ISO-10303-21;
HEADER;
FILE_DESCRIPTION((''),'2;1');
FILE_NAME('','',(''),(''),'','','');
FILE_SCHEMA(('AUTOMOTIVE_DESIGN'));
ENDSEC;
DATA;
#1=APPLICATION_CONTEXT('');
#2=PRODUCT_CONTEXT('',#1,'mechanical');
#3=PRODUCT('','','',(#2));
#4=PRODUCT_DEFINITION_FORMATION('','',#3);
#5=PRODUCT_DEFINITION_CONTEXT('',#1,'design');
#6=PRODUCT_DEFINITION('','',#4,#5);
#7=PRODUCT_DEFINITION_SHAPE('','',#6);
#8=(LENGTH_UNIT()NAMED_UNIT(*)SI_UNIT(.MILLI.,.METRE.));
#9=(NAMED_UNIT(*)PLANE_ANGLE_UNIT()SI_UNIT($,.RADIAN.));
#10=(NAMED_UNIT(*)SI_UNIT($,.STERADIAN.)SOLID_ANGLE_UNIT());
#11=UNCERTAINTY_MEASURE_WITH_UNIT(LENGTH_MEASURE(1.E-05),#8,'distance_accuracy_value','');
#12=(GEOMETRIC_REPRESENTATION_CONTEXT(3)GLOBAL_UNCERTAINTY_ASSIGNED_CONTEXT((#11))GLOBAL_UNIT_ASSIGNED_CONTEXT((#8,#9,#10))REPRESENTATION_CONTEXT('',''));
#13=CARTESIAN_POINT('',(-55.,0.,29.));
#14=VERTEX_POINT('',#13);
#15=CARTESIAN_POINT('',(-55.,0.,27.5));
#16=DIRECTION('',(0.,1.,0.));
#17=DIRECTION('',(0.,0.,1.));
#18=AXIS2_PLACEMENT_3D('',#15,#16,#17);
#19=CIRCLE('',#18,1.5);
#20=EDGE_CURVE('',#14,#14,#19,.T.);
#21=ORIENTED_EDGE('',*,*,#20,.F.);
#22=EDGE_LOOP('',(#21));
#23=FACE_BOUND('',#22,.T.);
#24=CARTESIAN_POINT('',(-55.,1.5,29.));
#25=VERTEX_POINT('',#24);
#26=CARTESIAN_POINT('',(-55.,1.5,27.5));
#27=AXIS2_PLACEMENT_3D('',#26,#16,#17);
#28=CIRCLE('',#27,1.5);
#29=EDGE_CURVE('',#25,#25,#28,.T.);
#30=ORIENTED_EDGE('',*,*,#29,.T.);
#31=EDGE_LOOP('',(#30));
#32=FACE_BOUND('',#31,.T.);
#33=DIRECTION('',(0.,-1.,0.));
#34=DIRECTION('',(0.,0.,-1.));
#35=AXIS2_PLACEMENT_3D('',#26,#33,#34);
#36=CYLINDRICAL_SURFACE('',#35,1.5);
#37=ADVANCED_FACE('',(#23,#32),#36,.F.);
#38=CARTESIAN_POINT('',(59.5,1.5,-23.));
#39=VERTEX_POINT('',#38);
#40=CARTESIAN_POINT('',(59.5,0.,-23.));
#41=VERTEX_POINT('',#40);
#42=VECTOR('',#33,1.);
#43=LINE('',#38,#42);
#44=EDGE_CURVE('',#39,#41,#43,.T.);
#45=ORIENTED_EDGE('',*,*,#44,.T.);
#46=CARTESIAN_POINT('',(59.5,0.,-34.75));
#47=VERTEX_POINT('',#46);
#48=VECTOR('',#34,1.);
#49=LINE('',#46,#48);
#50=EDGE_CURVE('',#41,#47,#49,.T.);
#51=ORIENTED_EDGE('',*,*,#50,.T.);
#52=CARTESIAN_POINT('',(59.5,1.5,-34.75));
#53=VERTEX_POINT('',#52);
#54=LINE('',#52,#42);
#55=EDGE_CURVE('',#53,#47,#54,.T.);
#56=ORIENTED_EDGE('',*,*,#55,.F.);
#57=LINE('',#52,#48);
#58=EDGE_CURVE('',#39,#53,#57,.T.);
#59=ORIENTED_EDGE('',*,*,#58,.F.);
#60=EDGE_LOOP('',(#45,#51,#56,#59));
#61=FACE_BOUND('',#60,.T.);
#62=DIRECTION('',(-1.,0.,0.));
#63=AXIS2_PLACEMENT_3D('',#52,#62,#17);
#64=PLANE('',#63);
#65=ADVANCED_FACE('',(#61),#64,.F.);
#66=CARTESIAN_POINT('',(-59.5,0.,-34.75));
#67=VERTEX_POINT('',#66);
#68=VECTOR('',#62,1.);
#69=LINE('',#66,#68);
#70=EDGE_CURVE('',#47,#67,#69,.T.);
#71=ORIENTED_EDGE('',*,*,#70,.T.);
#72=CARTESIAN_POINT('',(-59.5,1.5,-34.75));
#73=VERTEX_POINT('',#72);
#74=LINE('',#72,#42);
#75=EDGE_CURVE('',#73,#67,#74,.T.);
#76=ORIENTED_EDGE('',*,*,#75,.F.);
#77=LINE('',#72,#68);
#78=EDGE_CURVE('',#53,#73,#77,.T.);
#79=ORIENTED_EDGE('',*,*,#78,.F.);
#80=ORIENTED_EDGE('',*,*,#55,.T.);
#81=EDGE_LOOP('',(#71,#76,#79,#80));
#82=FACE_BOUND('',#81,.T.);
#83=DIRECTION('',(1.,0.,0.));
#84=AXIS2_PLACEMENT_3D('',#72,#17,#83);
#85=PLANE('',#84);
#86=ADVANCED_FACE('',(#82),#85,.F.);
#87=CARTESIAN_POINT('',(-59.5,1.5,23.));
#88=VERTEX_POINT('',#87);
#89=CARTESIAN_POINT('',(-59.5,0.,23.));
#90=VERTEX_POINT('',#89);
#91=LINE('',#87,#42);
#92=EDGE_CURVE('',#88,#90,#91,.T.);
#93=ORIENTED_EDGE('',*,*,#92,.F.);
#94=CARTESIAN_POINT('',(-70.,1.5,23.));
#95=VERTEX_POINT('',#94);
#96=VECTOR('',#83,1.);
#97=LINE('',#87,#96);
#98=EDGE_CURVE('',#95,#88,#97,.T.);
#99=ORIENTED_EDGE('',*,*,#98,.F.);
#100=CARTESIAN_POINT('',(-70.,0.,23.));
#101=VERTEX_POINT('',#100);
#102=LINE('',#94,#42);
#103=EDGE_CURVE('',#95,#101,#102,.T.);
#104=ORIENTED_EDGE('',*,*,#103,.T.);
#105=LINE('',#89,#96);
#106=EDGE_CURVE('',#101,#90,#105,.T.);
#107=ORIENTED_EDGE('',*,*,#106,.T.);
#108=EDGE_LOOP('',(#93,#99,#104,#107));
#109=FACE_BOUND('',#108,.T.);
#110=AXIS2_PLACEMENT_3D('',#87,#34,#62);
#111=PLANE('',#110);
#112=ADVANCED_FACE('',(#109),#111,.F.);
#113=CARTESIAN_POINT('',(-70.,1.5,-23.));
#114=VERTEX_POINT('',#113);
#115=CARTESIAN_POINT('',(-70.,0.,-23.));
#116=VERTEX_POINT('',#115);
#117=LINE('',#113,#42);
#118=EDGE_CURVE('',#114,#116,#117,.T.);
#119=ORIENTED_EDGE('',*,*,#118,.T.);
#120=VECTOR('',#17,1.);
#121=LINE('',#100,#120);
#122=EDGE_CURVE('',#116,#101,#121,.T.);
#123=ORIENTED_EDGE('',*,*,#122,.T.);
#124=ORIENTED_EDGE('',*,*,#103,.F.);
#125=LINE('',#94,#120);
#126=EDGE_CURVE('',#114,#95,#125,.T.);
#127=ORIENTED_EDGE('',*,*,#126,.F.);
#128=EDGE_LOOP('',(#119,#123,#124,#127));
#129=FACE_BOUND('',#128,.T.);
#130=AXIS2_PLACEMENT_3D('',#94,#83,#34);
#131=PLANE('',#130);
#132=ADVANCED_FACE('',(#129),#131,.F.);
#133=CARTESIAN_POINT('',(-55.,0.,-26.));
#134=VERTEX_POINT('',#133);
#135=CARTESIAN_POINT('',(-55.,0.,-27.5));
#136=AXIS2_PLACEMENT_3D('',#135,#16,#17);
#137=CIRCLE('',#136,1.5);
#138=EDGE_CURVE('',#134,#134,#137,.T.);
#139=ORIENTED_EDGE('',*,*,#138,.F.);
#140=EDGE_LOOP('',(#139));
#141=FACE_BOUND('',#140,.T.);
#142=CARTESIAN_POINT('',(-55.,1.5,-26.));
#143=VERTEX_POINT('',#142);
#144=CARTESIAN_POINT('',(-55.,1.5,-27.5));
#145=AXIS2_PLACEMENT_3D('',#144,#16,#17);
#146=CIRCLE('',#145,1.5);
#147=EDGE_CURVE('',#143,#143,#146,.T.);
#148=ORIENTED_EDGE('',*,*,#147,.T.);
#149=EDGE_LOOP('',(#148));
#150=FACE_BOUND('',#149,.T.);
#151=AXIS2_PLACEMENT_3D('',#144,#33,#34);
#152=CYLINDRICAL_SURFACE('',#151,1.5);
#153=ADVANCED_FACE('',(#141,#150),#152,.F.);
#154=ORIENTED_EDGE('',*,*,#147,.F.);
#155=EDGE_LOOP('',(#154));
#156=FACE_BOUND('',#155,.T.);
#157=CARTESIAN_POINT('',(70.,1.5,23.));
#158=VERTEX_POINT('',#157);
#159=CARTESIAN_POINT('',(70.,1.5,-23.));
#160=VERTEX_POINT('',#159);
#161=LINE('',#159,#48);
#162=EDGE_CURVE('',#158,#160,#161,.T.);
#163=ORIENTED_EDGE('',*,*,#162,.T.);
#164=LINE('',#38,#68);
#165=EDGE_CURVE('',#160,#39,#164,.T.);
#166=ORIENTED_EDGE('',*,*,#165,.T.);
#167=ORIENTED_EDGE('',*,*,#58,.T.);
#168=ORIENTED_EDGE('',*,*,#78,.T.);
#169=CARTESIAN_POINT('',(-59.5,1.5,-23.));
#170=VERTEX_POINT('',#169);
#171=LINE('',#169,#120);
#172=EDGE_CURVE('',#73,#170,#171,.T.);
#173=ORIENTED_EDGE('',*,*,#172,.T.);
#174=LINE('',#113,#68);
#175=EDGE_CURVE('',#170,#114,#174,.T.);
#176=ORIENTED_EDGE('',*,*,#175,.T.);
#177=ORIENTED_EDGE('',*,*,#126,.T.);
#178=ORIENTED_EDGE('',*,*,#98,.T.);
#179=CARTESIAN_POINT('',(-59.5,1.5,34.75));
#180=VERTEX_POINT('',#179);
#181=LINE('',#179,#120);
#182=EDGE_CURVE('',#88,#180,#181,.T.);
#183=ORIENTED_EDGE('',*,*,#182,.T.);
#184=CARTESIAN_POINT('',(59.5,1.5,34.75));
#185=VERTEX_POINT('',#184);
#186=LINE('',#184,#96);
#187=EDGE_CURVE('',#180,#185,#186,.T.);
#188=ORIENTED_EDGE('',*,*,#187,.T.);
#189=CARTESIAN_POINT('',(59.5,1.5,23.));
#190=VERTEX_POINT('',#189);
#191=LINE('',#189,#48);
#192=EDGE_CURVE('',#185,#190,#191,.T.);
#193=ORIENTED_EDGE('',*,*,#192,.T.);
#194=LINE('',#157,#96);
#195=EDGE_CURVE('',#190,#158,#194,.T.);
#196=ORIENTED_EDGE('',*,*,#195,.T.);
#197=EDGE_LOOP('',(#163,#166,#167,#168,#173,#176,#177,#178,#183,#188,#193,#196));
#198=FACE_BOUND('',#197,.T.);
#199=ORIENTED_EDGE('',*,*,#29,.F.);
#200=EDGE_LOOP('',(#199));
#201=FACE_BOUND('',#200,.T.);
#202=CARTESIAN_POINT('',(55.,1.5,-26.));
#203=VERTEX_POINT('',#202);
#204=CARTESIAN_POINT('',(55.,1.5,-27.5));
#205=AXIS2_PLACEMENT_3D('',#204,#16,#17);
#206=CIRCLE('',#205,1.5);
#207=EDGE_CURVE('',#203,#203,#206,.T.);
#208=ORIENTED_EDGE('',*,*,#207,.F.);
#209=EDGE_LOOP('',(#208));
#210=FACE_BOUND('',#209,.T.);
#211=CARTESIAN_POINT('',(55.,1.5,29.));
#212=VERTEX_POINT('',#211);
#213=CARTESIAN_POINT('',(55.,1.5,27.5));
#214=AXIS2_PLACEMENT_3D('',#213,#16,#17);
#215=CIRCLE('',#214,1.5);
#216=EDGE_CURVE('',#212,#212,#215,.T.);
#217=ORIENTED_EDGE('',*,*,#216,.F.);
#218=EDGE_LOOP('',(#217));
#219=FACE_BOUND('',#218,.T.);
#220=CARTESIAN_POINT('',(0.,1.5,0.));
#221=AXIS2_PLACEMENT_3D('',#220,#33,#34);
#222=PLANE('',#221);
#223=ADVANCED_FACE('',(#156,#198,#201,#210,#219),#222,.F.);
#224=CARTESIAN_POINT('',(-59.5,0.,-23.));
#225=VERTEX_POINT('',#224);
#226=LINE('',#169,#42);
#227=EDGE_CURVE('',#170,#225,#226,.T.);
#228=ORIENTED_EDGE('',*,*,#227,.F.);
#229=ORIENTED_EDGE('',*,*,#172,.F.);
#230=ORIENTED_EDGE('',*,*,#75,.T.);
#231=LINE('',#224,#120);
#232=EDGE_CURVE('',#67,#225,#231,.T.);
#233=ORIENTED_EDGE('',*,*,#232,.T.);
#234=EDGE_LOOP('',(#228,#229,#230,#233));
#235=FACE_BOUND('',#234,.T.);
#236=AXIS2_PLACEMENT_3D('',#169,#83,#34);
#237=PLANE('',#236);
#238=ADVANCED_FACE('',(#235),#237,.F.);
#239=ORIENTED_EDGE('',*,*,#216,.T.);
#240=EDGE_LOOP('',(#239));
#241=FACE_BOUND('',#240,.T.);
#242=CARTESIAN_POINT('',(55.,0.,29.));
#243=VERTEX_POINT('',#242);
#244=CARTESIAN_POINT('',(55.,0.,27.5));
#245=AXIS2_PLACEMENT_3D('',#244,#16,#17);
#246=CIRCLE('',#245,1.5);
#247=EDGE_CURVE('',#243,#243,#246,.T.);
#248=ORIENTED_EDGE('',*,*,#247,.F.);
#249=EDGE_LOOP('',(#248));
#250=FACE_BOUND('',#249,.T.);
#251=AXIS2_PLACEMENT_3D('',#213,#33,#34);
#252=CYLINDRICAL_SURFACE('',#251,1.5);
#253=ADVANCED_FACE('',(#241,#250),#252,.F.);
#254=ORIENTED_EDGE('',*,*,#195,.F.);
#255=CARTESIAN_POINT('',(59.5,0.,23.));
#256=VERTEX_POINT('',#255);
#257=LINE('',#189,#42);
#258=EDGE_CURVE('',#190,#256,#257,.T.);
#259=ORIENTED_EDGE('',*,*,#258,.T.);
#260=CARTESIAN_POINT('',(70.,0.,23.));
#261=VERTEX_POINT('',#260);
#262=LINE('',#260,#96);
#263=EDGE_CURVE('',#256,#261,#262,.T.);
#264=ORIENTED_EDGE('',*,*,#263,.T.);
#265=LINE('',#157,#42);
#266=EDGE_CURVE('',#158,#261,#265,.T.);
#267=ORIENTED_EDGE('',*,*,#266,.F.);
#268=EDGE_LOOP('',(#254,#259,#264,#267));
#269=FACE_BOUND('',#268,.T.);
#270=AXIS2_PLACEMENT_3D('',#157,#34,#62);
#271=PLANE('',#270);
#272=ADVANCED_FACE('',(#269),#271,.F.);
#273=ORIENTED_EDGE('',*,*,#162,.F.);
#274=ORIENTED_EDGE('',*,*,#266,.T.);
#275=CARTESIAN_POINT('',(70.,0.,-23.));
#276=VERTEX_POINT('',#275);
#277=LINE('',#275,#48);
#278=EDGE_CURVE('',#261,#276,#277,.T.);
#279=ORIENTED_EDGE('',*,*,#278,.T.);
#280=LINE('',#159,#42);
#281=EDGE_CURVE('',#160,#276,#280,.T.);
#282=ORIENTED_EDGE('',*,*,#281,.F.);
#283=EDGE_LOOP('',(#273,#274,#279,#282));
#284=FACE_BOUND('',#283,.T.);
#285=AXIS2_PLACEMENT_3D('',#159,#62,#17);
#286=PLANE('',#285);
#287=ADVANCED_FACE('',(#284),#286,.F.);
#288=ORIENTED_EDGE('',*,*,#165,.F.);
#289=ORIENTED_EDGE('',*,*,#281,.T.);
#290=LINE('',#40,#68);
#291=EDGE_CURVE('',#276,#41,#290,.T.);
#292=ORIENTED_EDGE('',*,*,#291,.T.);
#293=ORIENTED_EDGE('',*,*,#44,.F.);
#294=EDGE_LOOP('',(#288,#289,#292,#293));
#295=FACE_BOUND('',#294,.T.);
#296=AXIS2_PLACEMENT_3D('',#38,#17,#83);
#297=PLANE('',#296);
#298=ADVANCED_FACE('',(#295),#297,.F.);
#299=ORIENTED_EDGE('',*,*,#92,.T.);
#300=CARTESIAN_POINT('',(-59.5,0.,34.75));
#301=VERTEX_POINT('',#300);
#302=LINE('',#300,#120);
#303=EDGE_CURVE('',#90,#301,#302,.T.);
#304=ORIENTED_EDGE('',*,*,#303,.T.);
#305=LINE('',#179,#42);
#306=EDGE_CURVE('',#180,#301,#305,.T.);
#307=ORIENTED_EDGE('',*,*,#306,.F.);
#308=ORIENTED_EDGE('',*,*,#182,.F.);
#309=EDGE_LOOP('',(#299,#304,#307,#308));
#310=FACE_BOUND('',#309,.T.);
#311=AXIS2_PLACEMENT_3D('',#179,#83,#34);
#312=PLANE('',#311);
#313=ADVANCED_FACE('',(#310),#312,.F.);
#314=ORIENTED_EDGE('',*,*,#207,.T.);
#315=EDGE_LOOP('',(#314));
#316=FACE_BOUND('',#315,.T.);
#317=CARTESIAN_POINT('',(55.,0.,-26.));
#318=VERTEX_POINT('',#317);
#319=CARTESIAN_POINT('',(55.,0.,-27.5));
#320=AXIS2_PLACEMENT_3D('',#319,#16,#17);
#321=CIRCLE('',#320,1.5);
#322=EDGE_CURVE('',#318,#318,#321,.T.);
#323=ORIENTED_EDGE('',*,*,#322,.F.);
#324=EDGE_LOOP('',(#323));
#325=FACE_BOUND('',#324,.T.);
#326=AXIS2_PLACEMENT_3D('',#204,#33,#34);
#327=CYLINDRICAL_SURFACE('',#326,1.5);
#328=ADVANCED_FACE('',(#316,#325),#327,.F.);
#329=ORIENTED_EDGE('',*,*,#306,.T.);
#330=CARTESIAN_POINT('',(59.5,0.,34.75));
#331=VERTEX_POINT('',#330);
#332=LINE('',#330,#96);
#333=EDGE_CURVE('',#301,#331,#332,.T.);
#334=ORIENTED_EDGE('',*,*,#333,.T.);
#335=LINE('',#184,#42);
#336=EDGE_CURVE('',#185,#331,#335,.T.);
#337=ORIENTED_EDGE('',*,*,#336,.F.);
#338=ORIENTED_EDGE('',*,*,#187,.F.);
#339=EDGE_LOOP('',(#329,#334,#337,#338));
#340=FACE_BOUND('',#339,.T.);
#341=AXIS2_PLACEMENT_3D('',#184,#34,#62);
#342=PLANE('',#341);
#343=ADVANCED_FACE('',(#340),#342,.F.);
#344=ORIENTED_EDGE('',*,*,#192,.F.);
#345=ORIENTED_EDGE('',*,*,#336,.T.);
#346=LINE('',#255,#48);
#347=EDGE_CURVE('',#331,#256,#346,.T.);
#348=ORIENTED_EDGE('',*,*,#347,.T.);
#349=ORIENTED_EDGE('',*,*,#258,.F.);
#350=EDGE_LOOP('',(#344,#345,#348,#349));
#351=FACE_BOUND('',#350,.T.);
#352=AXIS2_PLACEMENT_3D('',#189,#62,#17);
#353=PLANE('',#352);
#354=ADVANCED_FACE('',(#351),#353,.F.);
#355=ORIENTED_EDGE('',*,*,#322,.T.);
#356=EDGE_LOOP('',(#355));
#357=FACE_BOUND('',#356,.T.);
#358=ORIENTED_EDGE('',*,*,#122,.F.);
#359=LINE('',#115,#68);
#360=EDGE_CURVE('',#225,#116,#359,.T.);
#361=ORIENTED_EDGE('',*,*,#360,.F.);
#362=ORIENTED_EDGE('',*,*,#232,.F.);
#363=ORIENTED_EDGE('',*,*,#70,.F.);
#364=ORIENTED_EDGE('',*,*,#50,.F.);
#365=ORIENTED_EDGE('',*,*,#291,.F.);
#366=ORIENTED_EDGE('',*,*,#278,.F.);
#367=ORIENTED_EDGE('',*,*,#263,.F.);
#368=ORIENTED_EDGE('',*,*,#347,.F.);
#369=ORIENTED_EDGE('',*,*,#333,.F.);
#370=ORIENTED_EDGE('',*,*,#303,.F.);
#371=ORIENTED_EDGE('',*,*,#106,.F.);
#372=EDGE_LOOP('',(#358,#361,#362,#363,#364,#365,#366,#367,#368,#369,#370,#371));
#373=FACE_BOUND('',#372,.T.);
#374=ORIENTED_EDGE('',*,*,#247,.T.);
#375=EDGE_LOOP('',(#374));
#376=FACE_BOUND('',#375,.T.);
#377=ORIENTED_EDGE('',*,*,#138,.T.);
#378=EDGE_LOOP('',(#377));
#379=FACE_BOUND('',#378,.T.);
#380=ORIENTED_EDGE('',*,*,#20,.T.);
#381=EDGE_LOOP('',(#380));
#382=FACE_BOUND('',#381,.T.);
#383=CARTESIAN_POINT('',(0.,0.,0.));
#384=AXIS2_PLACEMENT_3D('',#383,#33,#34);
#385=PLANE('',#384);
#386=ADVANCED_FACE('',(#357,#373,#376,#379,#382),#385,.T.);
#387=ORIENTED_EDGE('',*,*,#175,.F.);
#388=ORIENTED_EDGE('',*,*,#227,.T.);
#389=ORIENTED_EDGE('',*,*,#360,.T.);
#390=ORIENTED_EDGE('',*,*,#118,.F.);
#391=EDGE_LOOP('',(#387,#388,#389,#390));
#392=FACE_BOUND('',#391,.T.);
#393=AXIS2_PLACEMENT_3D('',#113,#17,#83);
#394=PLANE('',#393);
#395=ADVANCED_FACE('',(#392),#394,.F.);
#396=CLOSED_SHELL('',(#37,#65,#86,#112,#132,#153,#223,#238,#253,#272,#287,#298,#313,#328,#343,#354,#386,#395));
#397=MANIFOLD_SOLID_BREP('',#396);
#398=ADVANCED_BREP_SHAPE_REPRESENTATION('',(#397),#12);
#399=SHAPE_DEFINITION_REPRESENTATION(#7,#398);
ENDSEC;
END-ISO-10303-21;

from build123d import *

# Parameters (mm, degrees)
EXTRUDE_1_DEPTH     = 1.5
SKETCH_2_R          = 1.5
CUT_EXTRUDE_2_DEPTH = 1.5


with BuildPart() as part:
    # Эскиз1 → Бобышка-Вытянуть1 (new body)
    with BuildSketch(Plane(origin=(0, 0, 0), x_dir=(1, 0, 0), z_dir=(0, 1, 0))):
        Polygon((-59.5, 34.75), (59.5, 34.75), (59.5, 23), (70, 23), (70, -23), (59.5, -23), (59.5, -34.75), (-59.5, -34.75), (-59.5, -23), (-70, -23), (-70, 23), (-59.5, 23), align=None)
    extrude(amount=EXTRUDE_1_DEPTH)

    # Эскиз2 → Вырез-Вытянуть2 (cut)
    with BuildSketch(Plane(origin=(0, 0, 0), x_dir=(1, 0, 0), z_dir=(0, 1, 0))):
        with Locations(Location((-55, 27.5, 0), (0, 0, 270))):
            Circle(SKETCH_2_R)
        with Locations(Location((-55, -27.5, 0), (0, 0, 270))):
            Circle(SKETCH_2_R)
        with Locations(Location((55, -27.5, 0), (0, 0, 270))):
            Circle(SKETCH_2_R)
        with Locations(Location((55, 27.5, 0), (0, 0, 270))):
            Circle(SKETCH_2_R)
    extrude(amount=CUT_EXTRUDE_2_DEPTH, mode=Mode.SUBTRACT)


solid = part.part
